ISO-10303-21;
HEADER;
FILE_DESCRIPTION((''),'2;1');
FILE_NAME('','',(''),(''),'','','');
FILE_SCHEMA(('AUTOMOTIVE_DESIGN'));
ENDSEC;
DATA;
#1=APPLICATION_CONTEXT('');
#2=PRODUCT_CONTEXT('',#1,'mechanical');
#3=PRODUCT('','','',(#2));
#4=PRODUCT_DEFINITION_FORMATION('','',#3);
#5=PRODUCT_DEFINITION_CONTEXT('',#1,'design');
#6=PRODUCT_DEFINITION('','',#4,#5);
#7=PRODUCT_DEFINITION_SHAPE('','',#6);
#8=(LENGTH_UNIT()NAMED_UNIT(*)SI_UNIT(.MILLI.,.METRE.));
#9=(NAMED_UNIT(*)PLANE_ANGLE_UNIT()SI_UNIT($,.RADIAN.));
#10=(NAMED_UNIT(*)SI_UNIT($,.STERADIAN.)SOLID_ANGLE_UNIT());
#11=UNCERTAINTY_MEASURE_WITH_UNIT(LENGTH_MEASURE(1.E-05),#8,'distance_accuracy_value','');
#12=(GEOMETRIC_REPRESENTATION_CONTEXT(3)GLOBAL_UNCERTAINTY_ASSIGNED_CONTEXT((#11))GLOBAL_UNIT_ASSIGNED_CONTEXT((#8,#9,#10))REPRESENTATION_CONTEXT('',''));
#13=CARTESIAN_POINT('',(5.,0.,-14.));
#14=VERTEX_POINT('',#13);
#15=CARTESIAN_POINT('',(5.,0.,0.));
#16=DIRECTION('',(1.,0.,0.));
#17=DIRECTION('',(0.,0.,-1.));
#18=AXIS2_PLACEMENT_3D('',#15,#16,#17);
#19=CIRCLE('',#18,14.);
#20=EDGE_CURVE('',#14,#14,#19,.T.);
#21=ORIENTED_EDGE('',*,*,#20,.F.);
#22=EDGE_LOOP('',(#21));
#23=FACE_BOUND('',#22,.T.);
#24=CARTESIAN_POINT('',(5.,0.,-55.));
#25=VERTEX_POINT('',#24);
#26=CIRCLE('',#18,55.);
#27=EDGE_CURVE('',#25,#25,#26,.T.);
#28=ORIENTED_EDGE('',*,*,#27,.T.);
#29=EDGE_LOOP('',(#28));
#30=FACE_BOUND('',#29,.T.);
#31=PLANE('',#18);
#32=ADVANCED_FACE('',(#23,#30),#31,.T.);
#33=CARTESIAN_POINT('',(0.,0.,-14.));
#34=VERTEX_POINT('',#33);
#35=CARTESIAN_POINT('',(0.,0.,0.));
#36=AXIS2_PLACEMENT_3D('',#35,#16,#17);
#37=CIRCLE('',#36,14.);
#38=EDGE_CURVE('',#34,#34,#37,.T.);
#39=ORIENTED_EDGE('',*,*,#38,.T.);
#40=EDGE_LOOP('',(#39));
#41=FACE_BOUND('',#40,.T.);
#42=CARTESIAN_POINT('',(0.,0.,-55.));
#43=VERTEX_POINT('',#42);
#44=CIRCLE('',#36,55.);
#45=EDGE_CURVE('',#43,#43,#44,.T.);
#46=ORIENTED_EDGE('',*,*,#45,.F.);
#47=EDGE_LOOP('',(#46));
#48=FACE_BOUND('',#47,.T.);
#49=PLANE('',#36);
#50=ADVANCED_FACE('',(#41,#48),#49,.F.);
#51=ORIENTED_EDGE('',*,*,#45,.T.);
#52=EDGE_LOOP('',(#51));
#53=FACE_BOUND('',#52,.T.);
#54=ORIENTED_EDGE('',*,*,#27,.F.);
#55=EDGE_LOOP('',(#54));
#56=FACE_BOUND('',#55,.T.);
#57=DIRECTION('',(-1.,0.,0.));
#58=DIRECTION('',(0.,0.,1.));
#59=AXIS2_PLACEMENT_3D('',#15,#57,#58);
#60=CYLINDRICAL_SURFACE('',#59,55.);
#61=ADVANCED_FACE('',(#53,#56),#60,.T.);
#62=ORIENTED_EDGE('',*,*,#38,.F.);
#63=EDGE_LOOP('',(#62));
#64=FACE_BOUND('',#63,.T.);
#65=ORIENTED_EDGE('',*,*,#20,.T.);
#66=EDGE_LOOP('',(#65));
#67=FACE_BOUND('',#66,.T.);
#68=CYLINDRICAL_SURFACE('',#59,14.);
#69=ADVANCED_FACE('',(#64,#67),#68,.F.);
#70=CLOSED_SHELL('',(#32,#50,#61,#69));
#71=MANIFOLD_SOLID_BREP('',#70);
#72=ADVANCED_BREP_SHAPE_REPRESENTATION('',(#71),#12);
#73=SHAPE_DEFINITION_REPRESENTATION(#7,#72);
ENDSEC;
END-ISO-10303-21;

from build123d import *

# Parameters (mm, degrees)
SKETCH_1_R      = 55
SKETCH_1_R_2    = 14
EXTRUDE_1_DEPTH = 5


with BuildPart() as part:
    # Эскиз1 → Бобышка-Вытянуть1 (new body)
    with BuildSketch(Plane(origin=(0, 0, 0), x_dir=(0, 0, -1), z_dir=(1, 0, 0))):
        Circle(SKETCH_1_R)
        Circle(SKETCH_1_R_2, mode=Mode.SUBTRACT)
    extrude(amount=EXTRUDE_1_DEPTH)


solid = part.part
